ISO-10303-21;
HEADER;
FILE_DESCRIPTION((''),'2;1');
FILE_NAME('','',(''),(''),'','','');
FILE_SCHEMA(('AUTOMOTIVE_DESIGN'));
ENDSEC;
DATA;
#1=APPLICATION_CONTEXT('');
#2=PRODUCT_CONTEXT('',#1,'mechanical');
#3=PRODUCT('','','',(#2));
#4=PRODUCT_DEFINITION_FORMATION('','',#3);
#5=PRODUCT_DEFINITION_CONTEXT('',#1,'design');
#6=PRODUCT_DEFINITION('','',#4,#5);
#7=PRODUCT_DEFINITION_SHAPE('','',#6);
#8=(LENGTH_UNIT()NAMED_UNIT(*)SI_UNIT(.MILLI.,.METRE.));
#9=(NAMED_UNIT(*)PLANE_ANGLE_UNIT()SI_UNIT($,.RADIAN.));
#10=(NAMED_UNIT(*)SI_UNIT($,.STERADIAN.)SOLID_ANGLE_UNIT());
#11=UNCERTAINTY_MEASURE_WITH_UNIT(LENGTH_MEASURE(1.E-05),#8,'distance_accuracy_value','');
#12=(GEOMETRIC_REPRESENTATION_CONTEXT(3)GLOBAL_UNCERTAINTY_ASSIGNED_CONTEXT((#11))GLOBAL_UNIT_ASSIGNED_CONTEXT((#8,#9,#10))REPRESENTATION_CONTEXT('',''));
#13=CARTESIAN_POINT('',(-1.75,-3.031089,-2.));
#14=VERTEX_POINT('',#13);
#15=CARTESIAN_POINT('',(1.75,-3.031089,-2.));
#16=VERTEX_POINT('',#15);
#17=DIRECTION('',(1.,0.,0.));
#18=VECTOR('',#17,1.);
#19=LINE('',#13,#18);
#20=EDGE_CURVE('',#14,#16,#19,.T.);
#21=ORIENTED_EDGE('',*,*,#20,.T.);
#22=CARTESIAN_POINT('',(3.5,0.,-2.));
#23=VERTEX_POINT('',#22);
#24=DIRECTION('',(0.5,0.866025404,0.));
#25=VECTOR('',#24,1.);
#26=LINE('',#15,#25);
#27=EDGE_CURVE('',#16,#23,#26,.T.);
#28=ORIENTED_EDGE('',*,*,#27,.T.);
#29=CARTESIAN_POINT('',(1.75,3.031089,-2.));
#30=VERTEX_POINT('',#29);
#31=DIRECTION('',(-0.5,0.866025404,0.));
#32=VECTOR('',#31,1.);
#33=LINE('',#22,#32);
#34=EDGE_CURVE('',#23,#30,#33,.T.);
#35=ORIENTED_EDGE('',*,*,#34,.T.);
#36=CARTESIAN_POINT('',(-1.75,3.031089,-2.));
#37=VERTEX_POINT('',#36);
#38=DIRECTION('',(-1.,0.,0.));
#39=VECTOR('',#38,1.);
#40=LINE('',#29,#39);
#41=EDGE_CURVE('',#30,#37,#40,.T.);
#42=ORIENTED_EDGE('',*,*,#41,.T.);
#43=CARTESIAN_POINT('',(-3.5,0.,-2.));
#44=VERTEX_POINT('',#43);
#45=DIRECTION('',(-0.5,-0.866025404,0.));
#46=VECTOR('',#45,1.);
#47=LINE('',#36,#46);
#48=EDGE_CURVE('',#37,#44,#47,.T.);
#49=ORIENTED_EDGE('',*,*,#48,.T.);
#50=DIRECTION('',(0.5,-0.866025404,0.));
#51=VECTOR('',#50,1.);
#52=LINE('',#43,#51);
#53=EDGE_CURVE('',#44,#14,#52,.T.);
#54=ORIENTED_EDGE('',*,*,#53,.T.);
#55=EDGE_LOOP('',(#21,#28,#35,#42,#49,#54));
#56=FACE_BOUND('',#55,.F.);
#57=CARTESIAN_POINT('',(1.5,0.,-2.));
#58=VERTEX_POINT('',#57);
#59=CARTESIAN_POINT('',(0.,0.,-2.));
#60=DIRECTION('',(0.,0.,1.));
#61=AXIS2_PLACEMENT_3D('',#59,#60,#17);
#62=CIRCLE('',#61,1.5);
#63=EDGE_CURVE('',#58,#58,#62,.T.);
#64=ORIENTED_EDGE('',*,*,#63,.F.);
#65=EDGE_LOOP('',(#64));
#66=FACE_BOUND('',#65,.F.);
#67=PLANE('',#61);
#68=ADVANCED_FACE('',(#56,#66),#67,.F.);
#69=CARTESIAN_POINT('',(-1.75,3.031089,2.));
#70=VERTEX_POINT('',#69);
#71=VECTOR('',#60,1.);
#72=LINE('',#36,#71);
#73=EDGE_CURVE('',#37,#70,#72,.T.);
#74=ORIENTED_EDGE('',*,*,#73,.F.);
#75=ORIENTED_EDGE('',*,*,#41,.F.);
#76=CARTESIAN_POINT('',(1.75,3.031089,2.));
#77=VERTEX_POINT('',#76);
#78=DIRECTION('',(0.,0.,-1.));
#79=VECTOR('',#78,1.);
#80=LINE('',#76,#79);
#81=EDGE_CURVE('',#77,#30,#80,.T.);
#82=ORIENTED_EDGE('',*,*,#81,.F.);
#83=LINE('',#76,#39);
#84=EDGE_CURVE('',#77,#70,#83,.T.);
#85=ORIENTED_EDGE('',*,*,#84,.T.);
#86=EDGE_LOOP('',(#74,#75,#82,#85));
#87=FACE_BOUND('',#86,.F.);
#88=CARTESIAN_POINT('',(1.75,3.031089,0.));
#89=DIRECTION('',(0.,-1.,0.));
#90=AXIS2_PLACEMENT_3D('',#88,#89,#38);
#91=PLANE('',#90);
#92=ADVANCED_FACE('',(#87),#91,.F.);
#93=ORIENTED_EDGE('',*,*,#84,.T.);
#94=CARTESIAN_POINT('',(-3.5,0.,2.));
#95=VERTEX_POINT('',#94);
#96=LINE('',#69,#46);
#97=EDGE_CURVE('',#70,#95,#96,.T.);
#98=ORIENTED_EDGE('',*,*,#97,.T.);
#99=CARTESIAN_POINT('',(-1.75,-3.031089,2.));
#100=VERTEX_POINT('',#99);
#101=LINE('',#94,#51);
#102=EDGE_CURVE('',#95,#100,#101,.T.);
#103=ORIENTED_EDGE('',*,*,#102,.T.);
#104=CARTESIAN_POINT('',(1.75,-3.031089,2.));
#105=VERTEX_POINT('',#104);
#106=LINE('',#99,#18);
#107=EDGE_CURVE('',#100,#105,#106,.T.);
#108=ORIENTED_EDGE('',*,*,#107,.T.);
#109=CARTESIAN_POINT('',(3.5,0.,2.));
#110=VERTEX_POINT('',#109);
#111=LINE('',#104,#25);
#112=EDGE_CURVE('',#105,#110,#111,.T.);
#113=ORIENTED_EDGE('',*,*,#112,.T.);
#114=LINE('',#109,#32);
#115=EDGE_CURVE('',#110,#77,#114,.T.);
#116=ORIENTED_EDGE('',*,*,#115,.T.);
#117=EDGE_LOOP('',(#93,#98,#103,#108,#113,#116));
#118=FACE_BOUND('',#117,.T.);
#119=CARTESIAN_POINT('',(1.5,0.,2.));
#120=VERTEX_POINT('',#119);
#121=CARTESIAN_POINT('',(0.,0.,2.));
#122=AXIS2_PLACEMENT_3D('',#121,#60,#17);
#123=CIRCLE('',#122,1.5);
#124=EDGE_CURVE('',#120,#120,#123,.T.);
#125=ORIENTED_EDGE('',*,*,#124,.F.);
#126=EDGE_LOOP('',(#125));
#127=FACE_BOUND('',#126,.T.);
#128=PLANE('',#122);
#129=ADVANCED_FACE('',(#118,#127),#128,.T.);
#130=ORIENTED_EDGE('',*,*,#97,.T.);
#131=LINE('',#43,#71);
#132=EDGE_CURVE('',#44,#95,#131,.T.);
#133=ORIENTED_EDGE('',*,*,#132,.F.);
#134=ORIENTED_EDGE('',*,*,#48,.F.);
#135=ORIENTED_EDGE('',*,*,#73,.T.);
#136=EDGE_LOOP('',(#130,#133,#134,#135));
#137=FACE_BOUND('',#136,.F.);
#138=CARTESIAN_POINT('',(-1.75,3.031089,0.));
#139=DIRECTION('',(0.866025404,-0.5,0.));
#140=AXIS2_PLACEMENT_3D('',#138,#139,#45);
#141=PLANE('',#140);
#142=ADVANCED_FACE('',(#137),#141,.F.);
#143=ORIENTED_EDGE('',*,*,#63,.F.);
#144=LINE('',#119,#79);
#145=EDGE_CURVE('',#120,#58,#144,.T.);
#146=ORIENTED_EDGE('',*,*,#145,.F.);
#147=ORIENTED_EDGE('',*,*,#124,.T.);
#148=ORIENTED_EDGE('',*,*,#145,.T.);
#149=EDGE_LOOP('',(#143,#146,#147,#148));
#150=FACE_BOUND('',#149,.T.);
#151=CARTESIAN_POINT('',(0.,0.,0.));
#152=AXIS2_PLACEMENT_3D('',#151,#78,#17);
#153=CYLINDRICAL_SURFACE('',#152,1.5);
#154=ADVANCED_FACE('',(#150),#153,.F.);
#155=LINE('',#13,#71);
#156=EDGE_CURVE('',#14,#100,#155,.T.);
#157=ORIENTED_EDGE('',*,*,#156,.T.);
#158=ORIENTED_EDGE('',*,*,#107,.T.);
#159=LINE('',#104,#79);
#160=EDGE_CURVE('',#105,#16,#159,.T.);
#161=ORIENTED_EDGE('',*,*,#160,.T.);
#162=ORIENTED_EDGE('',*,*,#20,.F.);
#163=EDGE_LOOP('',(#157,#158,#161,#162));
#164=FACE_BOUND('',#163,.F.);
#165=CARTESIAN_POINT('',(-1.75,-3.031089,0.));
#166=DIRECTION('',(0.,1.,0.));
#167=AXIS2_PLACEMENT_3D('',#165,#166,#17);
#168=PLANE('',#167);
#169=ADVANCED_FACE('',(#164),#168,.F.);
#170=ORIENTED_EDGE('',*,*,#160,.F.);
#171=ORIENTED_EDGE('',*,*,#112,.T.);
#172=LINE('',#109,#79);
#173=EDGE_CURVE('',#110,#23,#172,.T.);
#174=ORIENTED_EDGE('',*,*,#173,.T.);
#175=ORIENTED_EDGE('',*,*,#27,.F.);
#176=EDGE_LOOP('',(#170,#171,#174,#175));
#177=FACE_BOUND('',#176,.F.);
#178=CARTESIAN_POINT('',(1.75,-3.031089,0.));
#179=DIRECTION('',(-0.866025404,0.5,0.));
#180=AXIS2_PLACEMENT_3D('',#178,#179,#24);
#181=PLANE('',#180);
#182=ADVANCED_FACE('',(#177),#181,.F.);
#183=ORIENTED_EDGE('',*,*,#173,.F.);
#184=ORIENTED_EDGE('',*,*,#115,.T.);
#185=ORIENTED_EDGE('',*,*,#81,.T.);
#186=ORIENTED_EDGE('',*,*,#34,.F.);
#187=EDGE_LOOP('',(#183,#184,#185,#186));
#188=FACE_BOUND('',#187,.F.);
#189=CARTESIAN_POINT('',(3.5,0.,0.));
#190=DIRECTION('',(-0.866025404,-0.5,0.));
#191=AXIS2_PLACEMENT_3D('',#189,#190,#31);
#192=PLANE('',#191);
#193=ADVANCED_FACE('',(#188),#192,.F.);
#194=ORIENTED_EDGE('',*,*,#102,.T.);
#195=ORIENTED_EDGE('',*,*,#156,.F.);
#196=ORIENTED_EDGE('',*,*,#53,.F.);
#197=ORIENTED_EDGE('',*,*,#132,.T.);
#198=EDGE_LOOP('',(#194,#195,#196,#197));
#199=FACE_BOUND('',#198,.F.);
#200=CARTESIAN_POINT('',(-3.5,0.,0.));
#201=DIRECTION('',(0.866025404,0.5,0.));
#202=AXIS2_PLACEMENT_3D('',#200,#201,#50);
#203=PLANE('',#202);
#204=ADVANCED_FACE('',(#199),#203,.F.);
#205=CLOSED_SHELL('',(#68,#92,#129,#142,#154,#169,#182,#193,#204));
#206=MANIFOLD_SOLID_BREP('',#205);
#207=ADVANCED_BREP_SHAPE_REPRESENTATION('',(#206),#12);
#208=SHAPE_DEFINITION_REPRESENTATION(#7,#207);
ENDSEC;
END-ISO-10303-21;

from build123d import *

# Parameters (mm, degrees)
F0_R          = 1.5
F1_DEPTH      = 2
F1_DEPTH_BACK = 2


with BuildPart() as f1:
    # F0 (on Top) → F1 (new body, two sides)
    with BuildSketch(Plane.XY) as f1_sk:
        Polygon((1.75, 3.0310889132), (-1.75, 3.0310889132), (-3.5, 0), (-1.75, -3.0310889132), (1.75, -3.0310889132), (3.5, 0), align=None)
        Circle(F0_R, mode=Mode.SUBTRACT)
    extrude(amount=-F1_DEPTH)
    extrude(f1_sk.sketch, amount=F1_DEPTH_BACK)


solid = f1.part
